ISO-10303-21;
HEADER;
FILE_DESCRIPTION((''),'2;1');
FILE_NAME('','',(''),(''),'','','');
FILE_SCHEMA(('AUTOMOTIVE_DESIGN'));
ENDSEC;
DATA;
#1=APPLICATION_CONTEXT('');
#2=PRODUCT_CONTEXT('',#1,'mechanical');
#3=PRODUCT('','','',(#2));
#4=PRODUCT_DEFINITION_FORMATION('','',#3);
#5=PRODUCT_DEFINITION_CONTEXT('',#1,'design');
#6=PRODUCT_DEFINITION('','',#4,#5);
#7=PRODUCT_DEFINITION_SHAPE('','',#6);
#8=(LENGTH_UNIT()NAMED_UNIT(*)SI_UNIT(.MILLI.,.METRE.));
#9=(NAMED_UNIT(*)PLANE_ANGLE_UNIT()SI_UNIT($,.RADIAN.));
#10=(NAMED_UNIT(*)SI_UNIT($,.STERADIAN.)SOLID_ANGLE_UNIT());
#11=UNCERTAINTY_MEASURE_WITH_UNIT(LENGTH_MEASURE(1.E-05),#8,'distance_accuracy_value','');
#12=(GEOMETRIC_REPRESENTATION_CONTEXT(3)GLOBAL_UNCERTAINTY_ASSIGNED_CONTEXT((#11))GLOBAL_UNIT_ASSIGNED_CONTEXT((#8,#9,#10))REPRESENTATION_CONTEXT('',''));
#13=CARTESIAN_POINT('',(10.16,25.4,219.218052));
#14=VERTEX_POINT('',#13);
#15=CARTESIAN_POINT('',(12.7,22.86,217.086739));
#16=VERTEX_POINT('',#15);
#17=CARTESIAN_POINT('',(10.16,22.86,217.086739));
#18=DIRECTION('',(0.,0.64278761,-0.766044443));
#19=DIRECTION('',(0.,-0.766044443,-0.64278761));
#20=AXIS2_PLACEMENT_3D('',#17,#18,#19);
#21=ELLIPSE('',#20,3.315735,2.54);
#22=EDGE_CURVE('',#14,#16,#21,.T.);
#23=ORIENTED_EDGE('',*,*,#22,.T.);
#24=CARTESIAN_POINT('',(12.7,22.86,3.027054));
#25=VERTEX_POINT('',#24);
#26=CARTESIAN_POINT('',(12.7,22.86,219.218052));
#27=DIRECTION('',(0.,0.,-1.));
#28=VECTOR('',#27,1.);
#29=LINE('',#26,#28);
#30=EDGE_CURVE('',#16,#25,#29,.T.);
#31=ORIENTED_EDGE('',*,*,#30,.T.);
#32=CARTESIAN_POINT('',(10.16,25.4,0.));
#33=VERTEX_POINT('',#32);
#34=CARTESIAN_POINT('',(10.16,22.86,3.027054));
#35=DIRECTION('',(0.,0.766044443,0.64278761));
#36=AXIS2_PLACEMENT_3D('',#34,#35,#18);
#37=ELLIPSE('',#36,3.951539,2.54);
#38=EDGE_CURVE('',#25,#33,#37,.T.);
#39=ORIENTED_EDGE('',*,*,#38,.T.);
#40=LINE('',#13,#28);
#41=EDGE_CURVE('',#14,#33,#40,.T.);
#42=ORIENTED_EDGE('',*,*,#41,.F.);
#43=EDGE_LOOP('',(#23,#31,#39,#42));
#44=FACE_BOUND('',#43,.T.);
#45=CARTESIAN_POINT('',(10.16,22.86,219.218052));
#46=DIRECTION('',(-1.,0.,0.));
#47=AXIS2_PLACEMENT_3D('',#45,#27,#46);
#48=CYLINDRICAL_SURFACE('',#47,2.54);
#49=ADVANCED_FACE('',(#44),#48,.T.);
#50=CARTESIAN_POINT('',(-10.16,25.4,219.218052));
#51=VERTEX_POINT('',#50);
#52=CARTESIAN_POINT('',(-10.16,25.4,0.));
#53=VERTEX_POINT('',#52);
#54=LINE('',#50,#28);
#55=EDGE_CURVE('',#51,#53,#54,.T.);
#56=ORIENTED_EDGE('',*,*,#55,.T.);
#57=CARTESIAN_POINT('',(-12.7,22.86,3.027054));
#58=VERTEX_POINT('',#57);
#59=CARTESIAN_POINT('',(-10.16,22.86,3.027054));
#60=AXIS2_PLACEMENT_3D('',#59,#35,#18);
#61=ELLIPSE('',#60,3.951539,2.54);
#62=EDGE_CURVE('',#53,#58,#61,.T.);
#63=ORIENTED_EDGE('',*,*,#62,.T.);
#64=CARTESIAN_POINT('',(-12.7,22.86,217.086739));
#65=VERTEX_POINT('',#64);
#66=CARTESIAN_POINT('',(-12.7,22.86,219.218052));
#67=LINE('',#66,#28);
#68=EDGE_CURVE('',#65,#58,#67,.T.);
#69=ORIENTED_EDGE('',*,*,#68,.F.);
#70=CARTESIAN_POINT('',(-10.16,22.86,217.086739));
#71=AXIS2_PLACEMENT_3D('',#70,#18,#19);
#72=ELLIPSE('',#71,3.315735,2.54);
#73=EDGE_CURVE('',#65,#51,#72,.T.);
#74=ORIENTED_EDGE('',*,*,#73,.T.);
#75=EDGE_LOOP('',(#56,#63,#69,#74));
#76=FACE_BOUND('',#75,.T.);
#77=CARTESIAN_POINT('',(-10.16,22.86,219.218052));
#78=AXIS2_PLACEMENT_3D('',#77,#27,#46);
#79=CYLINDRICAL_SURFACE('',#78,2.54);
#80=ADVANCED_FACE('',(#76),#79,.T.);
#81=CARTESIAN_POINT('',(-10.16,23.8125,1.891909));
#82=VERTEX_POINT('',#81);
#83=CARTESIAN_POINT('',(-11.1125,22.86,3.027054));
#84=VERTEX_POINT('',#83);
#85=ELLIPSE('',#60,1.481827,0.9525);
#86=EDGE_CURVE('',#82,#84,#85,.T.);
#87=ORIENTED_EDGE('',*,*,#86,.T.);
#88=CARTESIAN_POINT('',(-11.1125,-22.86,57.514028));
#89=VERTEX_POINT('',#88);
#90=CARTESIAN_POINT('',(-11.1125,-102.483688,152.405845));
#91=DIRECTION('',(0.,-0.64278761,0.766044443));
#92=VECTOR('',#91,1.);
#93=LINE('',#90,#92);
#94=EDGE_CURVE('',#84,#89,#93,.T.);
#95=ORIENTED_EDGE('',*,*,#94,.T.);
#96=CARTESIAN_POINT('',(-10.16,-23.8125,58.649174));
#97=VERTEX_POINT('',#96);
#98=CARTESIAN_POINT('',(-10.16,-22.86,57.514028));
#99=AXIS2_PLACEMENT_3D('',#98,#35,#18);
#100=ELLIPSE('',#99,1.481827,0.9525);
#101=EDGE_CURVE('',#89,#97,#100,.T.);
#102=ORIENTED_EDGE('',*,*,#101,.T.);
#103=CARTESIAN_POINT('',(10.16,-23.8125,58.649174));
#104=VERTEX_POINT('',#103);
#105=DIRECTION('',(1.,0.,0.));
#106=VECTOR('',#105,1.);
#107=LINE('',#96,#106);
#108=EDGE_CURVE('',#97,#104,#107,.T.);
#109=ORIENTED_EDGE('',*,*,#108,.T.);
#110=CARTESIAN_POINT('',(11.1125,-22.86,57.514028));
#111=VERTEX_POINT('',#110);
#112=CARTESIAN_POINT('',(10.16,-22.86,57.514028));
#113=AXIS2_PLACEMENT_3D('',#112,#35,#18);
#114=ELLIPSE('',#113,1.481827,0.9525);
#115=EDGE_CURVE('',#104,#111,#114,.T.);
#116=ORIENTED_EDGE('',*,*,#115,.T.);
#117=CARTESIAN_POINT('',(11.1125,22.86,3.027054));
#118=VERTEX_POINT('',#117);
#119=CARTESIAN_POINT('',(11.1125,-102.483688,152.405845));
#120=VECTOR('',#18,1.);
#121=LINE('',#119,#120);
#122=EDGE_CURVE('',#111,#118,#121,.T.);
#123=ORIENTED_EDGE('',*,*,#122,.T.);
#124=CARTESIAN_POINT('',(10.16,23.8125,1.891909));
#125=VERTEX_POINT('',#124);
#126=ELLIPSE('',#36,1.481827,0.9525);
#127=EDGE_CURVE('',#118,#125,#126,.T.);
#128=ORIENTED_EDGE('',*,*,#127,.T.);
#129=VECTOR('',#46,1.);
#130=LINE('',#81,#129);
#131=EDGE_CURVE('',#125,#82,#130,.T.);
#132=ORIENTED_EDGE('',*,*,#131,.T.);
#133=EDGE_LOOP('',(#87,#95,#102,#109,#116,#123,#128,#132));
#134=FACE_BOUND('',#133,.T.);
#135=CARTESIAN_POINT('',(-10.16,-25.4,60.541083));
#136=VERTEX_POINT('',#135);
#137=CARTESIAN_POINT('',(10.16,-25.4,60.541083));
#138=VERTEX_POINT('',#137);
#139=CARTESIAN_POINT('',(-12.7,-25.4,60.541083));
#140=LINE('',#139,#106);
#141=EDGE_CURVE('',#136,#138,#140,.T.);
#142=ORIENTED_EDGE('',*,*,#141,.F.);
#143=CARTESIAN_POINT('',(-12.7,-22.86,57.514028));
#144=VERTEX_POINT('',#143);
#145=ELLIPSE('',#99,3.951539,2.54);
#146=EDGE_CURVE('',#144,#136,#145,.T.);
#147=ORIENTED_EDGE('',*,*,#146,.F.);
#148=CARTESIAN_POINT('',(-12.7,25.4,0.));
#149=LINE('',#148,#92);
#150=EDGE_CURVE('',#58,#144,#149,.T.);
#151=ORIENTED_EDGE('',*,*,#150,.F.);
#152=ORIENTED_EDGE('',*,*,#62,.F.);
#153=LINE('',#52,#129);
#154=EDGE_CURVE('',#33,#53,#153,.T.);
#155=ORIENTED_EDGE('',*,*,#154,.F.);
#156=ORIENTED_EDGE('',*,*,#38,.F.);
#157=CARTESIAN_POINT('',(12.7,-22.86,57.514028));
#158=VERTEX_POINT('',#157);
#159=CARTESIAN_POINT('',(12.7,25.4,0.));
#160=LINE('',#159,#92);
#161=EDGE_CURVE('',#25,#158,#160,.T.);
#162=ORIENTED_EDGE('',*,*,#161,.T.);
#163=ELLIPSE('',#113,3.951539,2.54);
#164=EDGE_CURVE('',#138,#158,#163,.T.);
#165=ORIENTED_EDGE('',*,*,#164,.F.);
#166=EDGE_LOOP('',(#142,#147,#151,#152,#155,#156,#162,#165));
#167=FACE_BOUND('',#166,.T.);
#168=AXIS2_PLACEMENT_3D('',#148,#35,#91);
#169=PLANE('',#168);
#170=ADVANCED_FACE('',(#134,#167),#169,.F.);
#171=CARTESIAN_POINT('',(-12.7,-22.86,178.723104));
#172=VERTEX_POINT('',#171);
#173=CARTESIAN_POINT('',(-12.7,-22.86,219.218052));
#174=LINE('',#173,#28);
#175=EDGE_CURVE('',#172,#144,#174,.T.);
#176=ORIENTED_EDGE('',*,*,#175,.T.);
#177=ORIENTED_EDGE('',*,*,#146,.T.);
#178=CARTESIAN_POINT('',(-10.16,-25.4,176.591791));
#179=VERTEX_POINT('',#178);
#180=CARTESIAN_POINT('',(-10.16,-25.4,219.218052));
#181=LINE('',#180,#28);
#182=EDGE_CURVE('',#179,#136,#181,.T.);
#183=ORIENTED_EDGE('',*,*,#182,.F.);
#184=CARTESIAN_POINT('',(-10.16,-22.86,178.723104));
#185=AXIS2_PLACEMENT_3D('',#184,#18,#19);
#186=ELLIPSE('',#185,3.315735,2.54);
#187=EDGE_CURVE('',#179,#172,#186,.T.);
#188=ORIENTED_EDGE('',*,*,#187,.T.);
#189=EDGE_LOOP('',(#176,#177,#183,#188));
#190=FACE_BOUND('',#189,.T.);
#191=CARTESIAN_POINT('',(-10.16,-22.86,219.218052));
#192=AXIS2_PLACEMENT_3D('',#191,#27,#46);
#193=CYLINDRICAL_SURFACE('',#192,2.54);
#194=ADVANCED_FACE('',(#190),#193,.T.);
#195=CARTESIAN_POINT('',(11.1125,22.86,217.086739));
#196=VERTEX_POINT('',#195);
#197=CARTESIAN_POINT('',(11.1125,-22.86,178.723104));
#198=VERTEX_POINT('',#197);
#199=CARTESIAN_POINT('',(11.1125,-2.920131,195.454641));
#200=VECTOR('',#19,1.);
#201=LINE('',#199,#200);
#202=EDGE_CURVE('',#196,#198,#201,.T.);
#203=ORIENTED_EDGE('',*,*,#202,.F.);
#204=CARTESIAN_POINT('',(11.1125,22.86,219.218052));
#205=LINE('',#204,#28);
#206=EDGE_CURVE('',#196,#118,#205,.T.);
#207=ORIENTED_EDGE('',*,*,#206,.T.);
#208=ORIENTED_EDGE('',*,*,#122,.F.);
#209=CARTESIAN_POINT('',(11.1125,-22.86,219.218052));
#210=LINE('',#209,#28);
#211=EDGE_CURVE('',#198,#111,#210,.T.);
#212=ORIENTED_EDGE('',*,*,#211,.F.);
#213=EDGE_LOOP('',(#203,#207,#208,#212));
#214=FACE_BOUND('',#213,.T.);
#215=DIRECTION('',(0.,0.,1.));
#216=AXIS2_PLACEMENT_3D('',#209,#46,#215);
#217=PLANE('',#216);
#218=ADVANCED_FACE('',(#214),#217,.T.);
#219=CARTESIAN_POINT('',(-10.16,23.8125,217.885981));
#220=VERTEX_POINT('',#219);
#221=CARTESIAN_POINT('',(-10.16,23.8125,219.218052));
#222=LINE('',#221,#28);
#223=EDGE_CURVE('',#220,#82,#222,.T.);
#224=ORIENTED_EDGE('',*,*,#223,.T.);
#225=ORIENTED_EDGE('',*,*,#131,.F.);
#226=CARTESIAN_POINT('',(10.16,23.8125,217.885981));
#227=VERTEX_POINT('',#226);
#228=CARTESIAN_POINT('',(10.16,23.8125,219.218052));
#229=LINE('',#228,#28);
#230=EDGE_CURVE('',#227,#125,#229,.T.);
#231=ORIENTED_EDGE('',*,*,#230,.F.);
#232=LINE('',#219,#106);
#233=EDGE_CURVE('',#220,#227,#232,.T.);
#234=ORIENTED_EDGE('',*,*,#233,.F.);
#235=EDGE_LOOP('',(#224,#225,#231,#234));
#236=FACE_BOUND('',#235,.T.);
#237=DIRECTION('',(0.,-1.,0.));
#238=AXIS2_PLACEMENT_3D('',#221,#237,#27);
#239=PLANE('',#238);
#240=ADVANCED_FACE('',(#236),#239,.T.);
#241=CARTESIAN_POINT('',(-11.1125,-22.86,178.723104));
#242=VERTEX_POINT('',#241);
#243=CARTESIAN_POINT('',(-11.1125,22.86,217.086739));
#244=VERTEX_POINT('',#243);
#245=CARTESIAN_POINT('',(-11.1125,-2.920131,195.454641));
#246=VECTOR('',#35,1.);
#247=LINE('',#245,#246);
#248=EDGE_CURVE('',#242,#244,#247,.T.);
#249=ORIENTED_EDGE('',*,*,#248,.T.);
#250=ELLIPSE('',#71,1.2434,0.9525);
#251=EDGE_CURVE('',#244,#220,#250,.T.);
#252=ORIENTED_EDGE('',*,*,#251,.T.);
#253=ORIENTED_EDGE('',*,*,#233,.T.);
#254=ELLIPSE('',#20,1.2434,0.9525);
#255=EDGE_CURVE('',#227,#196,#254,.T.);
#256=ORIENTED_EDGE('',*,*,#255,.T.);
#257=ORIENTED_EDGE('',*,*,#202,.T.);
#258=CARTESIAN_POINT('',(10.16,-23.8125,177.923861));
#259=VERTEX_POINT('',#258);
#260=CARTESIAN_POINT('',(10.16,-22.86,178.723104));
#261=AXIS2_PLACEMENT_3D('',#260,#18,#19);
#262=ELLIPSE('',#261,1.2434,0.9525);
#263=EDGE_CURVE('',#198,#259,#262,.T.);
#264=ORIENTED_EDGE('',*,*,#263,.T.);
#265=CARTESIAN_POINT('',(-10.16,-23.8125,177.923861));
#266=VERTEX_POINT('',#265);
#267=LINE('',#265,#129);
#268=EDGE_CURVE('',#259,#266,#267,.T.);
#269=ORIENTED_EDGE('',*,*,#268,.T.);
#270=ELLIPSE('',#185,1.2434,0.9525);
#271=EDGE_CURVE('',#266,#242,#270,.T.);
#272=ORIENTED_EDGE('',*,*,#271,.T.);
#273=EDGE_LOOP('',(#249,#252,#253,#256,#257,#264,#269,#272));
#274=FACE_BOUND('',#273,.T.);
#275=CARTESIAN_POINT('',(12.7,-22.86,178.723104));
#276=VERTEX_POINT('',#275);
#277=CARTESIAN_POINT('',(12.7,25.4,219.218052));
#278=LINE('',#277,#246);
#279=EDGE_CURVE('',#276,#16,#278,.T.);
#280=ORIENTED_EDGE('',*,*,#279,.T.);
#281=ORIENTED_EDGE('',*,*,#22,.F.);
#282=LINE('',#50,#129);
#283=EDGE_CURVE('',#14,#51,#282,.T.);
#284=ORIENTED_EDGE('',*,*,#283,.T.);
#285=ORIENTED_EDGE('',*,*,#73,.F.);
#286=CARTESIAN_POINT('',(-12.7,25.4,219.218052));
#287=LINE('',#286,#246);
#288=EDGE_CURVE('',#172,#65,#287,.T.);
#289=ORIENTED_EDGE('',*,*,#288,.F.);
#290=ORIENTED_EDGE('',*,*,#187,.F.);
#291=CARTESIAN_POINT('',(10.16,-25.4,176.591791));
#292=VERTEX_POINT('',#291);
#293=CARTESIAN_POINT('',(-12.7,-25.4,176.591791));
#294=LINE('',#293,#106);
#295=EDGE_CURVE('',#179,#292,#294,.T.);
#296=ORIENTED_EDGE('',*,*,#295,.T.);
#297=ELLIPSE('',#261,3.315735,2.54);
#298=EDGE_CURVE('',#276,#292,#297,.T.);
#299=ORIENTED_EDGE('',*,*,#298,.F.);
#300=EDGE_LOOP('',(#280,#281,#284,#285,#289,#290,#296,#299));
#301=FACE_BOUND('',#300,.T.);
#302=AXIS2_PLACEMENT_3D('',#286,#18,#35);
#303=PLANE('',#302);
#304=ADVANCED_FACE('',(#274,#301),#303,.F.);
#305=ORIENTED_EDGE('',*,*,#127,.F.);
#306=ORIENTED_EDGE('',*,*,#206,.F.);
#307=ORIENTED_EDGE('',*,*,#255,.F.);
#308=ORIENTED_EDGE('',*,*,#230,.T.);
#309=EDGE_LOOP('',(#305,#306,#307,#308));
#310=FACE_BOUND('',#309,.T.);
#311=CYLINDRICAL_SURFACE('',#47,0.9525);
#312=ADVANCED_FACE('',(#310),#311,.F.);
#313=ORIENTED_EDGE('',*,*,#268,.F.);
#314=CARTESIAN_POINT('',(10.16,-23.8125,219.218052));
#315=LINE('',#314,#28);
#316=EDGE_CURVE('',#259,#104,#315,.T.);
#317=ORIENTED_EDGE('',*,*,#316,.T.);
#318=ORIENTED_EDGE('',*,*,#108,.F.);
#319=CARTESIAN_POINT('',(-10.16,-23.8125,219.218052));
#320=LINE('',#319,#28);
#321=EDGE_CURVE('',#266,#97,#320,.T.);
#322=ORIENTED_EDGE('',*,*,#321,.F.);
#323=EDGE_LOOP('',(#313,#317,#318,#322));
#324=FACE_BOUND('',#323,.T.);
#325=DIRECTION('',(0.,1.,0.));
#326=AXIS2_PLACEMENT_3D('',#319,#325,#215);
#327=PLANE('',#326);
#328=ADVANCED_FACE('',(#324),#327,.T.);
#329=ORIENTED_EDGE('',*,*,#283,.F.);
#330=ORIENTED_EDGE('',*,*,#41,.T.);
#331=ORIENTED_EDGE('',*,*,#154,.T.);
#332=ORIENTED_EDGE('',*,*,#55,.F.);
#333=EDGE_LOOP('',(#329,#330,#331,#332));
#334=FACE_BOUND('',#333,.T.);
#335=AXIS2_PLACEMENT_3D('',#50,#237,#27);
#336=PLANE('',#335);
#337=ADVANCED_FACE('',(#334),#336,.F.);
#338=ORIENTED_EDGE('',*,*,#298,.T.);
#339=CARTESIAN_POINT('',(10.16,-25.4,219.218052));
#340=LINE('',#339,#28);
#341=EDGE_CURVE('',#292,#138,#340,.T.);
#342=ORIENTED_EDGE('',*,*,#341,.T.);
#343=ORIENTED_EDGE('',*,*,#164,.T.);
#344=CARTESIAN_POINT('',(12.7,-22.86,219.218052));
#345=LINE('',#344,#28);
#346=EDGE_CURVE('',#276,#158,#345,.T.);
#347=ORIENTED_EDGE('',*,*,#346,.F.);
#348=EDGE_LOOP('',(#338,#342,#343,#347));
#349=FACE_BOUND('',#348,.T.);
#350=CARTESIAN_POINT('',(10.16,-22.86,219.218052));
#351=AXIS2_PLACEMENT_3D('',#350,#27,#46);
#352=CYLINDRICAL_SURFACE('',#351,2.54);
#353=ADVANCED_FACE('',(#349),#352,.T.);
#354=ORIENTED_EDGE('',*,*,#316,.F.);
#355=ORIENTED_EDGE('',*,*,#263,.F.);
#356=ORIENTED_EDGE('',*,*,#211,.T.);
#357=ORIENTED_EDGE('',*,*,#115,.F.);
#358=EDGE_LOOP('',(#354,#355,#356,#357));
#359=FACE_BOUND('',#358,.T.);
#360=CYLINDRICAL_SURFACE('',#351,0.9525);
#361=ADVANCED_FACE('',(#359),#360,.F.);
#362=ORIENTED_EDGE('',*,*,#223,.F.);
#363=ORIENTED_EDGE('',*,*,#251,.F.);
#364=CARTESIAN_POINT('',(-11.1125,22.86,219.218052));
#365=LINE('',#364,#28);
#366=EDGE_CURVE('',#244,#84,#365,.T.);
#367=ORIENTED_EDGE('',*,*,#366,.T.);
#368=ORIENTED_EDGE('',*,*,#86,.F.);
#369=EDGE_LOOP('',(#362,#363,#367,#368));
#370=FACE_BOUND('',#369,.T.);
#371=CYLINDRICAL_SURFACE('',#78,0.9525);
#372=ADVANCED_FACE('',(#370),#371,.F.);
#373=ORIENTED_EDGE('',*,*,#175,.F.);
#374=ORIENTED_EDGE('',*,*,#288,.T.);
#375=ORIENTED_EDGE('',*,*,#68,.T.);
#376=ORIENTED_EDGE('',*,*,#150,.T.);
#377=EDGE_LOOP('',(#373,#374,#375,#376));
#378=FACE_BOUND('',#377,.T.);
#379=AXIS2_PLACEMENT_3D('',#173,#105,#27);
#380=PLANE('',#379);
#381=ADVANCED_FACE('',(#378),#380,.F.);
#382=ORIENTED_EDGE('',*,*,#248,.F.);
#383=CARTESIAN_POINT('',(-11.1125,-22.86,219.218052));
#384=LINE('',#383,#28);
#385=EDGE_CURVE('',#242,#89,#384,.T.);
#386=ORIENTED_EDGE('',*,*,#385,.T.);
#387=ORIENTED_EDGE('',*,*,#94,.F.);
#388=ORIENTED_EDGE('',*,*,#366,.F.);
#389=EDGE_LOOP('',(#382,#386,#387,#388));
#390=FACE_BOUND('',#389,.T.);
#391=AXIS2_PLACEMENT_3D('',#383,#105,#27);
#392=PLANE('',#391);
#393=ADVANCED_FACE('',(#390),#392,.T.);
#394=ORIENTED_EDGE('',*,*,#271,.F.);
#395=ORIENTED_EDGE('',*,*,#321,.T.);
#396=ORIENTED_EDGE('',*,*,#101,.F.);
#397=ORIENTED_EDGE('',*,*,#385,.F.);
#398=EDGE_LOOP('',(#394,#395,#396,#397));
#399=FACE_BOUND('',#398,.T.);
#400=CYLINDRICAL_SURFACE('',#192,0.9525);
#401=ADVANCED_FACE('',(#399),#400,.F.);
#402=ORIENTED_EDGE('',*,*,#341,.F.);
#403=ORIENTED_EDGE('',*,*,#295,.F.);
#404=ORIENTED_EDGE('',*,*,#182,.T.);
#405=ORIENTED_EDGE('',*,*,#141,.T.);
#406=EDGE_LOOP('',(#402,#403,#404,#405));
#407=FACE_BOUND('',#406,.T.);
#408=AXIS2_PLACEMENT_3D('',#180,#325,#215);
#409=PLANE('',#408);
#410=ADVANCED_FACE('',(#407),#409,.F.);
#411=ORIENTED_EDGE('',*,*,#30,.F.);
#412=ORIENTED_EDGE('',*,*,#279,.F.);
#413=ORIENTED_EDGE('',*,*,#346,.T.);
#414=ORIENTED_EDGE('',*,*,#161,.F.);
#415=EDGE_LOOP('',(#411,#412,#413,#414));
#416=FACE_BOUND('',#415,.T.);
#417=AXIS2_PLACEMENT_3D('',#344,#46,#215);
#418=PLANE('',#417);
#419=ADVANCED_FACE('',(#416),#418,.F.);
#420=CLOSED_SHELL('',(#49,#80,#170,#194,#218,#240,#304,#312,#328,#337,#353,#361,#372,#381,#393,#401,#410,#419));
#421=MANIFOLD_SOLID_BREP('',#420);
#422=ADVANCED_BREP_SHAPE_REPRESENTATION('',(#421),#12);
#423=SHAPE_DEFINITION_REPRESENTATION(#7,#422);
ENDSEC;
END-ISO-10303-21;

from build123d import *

# Parameters (mm, degrees)
EXTRUDE_THIN1_DEPTH = 219.218052
CUT_EXTRUDE1_DEPTH  = 223.141563699


with BuildPart() as part:
    # Sketch1 → Extrude-Thin1 (new body)
    with BuildSketch(Plane.XY):
        with BuildLine():
            Line((-12.7, 22.86), (-12.7, -22.86))
            ThreePointArc((-12.7, -22.86), (-11.956051224, -24.656051224), (-10.16, -25.4))
            Line((-10.16, -25.4), (10.16, -25.4))
            ThreePointArc((10.16, -25.4), (11.956051224, -24.656051224), (12.7, -22.86))
            Line((12.7, -22.86), (12.7, 22.86))
            ThreePointArc((12.7, 22.86), (11.956051224, 24.656051224), (10.16, 25.4))
            Line((10.16, 25.4), (-10.16, 25.4))
            ThreePointArc((-10.16, 25.4), (-11.956051224, 24.656051224), (-12.7, 22.86))
        make_face()
        with BuildLine():
            Line((-11.1125, 22.86), (-11.1125, -22.86))
            ThreePointArc((-11.1125, -22.86), (-10.833519209, -23.533519209), (-10.16, -23.8125))
            Line((-10.16, -23.8125), (10.16, -23.8125))
            ThreePointArc((10.16, -23.8125), (10.833519209, -23.533519209), (11.1125, -22.86))
            Line((11.1125, -22.86), (11.1125, 22.86))
            ThreePointArc((11.1125, 22.86), (10.833519209, 23.533519209), (10.16, 23.8125))
            Line((10.16, 23.8125), (-10.16, 23.8125))
            ThreePointArc((-10.16, 23.8125), (-10.833519209, 23.533519209), (-11.1125, 22.86))
        make_face(mode=Mode.SUBTRACT)
    extrude(amount=EXTRUDE_THIN1_DEPTH)

    # Sketch2 → Cut-Extrude1 (cut, through all)
    with BuildSketch(Plane(origin=(12.7, 0, 0), x_dir=(0, 0, -1), z_dir=(1, 0, 0))):
        Polygon((-219.218051789, 25.4), (-176.591790525, -25.4), (-219.218051789, -25.4), align=None)
        Polygon((0, 25.4), (-60.541082504, -25.4), (0, -25.4), align=None)
    extrude(amount=-CUT_EXTRUDE1_DEPTH, mode=Mode.SUBTRACT)


solid = part.part
